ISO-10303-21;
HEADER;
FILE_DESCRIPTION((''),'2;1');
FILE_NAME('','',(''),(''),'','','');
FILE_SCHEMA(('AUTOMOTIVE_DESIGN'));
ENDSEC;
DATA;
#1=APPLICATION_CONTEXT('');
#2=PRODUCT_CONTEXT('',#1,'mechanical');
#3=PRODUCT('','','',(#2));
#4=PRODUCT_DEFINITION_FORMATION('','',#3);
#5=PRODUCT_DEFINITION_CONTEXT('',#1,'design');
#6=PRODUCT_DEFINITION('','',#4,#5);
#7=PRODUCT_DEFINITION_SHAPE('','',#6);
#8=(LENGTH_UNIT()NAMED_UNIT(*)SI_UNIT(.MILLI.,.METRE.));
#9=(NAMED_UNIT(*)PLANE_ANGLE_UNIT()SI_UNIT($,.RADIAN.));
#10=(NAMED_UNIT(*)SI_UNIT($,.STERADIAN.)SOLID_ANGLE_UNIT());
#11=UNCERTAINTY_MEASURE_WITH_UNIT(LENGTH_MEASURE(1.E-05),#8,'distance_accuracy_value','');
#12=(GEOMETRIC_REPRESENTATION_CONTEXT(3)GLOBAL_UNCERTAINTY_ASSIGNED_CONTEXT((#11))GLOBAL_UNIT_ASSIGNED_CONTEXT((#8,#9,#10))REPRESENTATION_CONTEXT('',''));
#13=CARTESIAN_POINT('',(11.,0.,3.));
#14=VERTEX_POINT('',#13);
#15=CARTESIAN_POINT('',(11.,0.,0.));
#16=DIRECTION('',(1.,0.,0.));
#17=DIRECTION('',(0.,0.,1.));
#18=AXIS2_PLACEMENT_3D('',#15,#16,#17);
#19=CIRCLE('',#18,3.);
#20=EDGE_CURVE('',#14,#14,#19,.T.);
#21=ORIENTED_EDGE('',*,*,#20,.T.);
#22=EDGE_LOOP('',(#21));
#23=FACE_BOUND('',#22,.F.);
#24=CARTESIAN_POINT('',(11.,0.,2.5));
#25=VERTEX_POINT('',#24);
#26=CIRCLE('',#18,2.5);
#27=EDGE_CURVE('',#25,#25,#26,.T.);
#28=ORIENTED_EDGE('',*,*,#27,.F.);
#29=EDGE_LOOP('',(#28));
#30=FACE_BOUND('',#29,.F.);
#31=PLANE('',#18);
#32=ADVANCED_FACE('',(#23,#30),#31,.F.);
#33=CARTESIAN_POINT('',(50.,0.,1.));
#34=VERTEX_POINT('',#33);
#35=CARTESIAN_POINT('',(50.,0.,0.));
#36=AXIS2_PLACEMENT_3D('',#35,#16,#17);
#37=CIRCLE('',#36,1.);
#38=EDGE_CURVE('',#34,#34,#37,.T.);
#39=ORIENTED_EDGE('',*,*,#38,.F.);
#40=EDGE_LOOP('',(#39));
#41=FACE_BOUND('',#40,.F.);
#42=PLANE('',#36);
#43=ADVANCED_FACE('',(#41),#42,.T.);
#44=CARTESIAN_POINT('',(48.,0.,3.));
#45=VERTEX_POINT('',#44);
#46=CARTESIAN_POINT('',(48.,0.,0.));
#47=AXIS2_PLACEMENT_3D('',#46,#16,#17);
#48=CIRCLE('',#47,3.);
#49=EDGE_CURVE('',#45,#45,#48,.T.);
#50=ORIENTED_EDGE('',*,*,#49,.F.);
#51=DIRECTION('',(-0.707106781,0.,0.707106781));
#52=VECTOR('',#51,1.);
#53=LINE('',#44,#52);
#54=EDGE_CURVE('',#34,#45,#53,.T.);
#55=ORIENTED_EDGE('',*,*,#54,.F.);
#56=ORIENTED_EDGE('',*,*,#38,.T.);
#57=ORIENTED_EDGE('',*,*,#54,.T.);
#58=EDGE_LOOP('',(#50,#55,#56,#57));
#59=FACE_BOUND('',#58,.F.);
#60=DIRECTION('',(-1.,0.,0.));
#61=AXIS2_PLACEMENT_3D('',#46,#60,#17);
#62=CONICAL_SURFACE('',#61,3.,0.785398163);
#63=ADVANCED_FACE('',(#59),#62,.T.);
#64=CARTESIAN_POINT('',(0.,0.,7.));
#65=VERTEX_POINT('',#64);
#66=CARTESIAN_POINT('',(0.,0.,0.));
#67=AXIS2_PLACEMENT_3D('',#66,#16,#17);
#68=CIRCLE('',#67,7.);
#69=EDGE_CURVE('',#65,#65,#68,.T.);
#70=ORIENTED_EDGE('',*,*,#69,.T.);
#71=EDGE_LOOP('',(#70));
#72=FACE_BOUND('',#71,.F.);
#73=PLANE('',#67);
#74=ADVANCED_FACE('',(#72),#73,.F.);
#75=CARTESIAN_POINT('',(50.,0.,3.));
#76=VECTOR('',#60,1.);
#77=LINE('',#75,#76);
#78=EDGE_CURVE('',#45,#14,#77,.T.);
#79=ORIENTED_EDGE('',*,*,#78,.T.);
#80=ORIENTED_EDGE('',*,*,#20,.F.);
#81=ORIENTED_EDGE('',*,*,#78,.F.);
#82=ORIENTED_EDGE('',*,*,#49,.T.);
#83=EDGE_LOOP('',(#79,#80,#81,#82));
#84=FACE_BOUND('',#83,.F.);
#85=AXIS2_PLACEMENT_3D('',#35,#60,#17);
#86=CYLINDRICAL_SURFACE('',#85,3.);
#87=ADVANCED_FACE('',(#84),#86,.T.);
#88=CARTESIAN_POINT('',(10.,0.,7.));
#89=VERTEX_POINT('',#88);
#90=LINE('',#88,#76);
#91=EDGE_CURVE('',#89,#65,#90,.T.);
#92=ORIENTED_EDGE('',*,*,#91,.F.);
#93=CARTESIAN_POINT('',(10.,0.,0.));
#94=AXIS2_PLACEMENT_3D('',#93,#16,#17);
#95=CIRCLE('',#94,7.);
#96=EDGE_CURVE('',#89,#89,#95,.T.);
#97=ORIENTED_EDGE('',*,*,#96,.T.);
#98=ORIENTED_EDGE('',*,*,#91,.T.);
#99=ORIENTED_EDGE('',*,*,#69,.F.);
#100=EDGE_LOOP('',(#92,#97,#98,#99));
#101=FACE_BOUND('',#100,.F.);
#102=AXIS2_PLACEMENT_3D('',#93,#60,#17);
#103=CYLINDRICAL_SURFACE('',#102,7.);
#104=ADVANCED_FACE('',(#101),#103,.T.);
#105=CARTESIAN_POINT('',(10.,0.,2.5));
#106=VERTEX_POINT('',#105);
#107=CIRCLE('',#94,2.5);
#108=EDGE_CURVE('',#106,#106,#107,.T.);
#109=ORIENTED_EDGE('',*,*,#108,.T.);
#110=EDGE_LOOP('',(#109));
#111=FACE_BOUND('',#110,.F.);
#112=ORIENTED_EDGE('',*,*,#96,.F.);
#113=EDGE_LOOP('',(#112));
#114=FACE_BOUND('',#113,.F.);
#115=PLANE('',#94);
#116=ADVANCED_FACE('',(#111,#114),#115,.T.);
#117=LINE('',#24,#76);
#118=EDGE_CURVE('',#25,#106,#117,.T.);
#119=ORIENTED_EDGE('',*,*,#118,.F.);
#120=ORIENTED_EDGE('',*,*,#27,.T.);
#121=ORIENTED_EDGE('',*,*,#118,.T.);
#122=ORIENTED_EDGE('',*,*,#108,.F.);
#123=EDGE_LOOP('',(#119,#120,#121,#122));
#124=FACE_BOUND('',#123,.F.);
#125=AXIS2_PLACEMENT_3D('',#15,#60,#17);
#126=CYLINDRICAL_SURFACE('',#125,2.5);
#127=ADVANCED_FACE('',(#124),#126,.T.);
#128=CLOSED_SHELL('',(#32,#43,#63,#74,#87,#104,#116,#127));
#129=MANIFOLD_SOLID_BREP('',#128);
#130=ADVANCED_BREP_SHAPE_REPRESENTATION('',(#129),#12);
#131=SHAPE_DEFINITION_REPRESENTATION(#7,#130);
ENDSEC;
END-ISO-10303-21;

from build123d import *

# Parameters (mm, degrees)
F2_SIZE = 2


with BuildPart() as f1:
    # F0 (on Front) → F1 (revolve)
    with BuildSketch(Plane.XZ):
        Polygon((0, 7), (0, 0), (50, 0), (50, 3), (11, 3), (11, 2.5), (10, 2.5), (10, 7), align=None)
    revolve(axis=Axis((24.256996, 0, 0), (1, 0, 0)))

    # F2
    f2_edges = [f1.edges().sort_by_distance(p)[0] for p in [
        (50, 0, -3),
    ]]
    chamfer(f2_edges, length=F2_SIZE)


solid = f1.part
